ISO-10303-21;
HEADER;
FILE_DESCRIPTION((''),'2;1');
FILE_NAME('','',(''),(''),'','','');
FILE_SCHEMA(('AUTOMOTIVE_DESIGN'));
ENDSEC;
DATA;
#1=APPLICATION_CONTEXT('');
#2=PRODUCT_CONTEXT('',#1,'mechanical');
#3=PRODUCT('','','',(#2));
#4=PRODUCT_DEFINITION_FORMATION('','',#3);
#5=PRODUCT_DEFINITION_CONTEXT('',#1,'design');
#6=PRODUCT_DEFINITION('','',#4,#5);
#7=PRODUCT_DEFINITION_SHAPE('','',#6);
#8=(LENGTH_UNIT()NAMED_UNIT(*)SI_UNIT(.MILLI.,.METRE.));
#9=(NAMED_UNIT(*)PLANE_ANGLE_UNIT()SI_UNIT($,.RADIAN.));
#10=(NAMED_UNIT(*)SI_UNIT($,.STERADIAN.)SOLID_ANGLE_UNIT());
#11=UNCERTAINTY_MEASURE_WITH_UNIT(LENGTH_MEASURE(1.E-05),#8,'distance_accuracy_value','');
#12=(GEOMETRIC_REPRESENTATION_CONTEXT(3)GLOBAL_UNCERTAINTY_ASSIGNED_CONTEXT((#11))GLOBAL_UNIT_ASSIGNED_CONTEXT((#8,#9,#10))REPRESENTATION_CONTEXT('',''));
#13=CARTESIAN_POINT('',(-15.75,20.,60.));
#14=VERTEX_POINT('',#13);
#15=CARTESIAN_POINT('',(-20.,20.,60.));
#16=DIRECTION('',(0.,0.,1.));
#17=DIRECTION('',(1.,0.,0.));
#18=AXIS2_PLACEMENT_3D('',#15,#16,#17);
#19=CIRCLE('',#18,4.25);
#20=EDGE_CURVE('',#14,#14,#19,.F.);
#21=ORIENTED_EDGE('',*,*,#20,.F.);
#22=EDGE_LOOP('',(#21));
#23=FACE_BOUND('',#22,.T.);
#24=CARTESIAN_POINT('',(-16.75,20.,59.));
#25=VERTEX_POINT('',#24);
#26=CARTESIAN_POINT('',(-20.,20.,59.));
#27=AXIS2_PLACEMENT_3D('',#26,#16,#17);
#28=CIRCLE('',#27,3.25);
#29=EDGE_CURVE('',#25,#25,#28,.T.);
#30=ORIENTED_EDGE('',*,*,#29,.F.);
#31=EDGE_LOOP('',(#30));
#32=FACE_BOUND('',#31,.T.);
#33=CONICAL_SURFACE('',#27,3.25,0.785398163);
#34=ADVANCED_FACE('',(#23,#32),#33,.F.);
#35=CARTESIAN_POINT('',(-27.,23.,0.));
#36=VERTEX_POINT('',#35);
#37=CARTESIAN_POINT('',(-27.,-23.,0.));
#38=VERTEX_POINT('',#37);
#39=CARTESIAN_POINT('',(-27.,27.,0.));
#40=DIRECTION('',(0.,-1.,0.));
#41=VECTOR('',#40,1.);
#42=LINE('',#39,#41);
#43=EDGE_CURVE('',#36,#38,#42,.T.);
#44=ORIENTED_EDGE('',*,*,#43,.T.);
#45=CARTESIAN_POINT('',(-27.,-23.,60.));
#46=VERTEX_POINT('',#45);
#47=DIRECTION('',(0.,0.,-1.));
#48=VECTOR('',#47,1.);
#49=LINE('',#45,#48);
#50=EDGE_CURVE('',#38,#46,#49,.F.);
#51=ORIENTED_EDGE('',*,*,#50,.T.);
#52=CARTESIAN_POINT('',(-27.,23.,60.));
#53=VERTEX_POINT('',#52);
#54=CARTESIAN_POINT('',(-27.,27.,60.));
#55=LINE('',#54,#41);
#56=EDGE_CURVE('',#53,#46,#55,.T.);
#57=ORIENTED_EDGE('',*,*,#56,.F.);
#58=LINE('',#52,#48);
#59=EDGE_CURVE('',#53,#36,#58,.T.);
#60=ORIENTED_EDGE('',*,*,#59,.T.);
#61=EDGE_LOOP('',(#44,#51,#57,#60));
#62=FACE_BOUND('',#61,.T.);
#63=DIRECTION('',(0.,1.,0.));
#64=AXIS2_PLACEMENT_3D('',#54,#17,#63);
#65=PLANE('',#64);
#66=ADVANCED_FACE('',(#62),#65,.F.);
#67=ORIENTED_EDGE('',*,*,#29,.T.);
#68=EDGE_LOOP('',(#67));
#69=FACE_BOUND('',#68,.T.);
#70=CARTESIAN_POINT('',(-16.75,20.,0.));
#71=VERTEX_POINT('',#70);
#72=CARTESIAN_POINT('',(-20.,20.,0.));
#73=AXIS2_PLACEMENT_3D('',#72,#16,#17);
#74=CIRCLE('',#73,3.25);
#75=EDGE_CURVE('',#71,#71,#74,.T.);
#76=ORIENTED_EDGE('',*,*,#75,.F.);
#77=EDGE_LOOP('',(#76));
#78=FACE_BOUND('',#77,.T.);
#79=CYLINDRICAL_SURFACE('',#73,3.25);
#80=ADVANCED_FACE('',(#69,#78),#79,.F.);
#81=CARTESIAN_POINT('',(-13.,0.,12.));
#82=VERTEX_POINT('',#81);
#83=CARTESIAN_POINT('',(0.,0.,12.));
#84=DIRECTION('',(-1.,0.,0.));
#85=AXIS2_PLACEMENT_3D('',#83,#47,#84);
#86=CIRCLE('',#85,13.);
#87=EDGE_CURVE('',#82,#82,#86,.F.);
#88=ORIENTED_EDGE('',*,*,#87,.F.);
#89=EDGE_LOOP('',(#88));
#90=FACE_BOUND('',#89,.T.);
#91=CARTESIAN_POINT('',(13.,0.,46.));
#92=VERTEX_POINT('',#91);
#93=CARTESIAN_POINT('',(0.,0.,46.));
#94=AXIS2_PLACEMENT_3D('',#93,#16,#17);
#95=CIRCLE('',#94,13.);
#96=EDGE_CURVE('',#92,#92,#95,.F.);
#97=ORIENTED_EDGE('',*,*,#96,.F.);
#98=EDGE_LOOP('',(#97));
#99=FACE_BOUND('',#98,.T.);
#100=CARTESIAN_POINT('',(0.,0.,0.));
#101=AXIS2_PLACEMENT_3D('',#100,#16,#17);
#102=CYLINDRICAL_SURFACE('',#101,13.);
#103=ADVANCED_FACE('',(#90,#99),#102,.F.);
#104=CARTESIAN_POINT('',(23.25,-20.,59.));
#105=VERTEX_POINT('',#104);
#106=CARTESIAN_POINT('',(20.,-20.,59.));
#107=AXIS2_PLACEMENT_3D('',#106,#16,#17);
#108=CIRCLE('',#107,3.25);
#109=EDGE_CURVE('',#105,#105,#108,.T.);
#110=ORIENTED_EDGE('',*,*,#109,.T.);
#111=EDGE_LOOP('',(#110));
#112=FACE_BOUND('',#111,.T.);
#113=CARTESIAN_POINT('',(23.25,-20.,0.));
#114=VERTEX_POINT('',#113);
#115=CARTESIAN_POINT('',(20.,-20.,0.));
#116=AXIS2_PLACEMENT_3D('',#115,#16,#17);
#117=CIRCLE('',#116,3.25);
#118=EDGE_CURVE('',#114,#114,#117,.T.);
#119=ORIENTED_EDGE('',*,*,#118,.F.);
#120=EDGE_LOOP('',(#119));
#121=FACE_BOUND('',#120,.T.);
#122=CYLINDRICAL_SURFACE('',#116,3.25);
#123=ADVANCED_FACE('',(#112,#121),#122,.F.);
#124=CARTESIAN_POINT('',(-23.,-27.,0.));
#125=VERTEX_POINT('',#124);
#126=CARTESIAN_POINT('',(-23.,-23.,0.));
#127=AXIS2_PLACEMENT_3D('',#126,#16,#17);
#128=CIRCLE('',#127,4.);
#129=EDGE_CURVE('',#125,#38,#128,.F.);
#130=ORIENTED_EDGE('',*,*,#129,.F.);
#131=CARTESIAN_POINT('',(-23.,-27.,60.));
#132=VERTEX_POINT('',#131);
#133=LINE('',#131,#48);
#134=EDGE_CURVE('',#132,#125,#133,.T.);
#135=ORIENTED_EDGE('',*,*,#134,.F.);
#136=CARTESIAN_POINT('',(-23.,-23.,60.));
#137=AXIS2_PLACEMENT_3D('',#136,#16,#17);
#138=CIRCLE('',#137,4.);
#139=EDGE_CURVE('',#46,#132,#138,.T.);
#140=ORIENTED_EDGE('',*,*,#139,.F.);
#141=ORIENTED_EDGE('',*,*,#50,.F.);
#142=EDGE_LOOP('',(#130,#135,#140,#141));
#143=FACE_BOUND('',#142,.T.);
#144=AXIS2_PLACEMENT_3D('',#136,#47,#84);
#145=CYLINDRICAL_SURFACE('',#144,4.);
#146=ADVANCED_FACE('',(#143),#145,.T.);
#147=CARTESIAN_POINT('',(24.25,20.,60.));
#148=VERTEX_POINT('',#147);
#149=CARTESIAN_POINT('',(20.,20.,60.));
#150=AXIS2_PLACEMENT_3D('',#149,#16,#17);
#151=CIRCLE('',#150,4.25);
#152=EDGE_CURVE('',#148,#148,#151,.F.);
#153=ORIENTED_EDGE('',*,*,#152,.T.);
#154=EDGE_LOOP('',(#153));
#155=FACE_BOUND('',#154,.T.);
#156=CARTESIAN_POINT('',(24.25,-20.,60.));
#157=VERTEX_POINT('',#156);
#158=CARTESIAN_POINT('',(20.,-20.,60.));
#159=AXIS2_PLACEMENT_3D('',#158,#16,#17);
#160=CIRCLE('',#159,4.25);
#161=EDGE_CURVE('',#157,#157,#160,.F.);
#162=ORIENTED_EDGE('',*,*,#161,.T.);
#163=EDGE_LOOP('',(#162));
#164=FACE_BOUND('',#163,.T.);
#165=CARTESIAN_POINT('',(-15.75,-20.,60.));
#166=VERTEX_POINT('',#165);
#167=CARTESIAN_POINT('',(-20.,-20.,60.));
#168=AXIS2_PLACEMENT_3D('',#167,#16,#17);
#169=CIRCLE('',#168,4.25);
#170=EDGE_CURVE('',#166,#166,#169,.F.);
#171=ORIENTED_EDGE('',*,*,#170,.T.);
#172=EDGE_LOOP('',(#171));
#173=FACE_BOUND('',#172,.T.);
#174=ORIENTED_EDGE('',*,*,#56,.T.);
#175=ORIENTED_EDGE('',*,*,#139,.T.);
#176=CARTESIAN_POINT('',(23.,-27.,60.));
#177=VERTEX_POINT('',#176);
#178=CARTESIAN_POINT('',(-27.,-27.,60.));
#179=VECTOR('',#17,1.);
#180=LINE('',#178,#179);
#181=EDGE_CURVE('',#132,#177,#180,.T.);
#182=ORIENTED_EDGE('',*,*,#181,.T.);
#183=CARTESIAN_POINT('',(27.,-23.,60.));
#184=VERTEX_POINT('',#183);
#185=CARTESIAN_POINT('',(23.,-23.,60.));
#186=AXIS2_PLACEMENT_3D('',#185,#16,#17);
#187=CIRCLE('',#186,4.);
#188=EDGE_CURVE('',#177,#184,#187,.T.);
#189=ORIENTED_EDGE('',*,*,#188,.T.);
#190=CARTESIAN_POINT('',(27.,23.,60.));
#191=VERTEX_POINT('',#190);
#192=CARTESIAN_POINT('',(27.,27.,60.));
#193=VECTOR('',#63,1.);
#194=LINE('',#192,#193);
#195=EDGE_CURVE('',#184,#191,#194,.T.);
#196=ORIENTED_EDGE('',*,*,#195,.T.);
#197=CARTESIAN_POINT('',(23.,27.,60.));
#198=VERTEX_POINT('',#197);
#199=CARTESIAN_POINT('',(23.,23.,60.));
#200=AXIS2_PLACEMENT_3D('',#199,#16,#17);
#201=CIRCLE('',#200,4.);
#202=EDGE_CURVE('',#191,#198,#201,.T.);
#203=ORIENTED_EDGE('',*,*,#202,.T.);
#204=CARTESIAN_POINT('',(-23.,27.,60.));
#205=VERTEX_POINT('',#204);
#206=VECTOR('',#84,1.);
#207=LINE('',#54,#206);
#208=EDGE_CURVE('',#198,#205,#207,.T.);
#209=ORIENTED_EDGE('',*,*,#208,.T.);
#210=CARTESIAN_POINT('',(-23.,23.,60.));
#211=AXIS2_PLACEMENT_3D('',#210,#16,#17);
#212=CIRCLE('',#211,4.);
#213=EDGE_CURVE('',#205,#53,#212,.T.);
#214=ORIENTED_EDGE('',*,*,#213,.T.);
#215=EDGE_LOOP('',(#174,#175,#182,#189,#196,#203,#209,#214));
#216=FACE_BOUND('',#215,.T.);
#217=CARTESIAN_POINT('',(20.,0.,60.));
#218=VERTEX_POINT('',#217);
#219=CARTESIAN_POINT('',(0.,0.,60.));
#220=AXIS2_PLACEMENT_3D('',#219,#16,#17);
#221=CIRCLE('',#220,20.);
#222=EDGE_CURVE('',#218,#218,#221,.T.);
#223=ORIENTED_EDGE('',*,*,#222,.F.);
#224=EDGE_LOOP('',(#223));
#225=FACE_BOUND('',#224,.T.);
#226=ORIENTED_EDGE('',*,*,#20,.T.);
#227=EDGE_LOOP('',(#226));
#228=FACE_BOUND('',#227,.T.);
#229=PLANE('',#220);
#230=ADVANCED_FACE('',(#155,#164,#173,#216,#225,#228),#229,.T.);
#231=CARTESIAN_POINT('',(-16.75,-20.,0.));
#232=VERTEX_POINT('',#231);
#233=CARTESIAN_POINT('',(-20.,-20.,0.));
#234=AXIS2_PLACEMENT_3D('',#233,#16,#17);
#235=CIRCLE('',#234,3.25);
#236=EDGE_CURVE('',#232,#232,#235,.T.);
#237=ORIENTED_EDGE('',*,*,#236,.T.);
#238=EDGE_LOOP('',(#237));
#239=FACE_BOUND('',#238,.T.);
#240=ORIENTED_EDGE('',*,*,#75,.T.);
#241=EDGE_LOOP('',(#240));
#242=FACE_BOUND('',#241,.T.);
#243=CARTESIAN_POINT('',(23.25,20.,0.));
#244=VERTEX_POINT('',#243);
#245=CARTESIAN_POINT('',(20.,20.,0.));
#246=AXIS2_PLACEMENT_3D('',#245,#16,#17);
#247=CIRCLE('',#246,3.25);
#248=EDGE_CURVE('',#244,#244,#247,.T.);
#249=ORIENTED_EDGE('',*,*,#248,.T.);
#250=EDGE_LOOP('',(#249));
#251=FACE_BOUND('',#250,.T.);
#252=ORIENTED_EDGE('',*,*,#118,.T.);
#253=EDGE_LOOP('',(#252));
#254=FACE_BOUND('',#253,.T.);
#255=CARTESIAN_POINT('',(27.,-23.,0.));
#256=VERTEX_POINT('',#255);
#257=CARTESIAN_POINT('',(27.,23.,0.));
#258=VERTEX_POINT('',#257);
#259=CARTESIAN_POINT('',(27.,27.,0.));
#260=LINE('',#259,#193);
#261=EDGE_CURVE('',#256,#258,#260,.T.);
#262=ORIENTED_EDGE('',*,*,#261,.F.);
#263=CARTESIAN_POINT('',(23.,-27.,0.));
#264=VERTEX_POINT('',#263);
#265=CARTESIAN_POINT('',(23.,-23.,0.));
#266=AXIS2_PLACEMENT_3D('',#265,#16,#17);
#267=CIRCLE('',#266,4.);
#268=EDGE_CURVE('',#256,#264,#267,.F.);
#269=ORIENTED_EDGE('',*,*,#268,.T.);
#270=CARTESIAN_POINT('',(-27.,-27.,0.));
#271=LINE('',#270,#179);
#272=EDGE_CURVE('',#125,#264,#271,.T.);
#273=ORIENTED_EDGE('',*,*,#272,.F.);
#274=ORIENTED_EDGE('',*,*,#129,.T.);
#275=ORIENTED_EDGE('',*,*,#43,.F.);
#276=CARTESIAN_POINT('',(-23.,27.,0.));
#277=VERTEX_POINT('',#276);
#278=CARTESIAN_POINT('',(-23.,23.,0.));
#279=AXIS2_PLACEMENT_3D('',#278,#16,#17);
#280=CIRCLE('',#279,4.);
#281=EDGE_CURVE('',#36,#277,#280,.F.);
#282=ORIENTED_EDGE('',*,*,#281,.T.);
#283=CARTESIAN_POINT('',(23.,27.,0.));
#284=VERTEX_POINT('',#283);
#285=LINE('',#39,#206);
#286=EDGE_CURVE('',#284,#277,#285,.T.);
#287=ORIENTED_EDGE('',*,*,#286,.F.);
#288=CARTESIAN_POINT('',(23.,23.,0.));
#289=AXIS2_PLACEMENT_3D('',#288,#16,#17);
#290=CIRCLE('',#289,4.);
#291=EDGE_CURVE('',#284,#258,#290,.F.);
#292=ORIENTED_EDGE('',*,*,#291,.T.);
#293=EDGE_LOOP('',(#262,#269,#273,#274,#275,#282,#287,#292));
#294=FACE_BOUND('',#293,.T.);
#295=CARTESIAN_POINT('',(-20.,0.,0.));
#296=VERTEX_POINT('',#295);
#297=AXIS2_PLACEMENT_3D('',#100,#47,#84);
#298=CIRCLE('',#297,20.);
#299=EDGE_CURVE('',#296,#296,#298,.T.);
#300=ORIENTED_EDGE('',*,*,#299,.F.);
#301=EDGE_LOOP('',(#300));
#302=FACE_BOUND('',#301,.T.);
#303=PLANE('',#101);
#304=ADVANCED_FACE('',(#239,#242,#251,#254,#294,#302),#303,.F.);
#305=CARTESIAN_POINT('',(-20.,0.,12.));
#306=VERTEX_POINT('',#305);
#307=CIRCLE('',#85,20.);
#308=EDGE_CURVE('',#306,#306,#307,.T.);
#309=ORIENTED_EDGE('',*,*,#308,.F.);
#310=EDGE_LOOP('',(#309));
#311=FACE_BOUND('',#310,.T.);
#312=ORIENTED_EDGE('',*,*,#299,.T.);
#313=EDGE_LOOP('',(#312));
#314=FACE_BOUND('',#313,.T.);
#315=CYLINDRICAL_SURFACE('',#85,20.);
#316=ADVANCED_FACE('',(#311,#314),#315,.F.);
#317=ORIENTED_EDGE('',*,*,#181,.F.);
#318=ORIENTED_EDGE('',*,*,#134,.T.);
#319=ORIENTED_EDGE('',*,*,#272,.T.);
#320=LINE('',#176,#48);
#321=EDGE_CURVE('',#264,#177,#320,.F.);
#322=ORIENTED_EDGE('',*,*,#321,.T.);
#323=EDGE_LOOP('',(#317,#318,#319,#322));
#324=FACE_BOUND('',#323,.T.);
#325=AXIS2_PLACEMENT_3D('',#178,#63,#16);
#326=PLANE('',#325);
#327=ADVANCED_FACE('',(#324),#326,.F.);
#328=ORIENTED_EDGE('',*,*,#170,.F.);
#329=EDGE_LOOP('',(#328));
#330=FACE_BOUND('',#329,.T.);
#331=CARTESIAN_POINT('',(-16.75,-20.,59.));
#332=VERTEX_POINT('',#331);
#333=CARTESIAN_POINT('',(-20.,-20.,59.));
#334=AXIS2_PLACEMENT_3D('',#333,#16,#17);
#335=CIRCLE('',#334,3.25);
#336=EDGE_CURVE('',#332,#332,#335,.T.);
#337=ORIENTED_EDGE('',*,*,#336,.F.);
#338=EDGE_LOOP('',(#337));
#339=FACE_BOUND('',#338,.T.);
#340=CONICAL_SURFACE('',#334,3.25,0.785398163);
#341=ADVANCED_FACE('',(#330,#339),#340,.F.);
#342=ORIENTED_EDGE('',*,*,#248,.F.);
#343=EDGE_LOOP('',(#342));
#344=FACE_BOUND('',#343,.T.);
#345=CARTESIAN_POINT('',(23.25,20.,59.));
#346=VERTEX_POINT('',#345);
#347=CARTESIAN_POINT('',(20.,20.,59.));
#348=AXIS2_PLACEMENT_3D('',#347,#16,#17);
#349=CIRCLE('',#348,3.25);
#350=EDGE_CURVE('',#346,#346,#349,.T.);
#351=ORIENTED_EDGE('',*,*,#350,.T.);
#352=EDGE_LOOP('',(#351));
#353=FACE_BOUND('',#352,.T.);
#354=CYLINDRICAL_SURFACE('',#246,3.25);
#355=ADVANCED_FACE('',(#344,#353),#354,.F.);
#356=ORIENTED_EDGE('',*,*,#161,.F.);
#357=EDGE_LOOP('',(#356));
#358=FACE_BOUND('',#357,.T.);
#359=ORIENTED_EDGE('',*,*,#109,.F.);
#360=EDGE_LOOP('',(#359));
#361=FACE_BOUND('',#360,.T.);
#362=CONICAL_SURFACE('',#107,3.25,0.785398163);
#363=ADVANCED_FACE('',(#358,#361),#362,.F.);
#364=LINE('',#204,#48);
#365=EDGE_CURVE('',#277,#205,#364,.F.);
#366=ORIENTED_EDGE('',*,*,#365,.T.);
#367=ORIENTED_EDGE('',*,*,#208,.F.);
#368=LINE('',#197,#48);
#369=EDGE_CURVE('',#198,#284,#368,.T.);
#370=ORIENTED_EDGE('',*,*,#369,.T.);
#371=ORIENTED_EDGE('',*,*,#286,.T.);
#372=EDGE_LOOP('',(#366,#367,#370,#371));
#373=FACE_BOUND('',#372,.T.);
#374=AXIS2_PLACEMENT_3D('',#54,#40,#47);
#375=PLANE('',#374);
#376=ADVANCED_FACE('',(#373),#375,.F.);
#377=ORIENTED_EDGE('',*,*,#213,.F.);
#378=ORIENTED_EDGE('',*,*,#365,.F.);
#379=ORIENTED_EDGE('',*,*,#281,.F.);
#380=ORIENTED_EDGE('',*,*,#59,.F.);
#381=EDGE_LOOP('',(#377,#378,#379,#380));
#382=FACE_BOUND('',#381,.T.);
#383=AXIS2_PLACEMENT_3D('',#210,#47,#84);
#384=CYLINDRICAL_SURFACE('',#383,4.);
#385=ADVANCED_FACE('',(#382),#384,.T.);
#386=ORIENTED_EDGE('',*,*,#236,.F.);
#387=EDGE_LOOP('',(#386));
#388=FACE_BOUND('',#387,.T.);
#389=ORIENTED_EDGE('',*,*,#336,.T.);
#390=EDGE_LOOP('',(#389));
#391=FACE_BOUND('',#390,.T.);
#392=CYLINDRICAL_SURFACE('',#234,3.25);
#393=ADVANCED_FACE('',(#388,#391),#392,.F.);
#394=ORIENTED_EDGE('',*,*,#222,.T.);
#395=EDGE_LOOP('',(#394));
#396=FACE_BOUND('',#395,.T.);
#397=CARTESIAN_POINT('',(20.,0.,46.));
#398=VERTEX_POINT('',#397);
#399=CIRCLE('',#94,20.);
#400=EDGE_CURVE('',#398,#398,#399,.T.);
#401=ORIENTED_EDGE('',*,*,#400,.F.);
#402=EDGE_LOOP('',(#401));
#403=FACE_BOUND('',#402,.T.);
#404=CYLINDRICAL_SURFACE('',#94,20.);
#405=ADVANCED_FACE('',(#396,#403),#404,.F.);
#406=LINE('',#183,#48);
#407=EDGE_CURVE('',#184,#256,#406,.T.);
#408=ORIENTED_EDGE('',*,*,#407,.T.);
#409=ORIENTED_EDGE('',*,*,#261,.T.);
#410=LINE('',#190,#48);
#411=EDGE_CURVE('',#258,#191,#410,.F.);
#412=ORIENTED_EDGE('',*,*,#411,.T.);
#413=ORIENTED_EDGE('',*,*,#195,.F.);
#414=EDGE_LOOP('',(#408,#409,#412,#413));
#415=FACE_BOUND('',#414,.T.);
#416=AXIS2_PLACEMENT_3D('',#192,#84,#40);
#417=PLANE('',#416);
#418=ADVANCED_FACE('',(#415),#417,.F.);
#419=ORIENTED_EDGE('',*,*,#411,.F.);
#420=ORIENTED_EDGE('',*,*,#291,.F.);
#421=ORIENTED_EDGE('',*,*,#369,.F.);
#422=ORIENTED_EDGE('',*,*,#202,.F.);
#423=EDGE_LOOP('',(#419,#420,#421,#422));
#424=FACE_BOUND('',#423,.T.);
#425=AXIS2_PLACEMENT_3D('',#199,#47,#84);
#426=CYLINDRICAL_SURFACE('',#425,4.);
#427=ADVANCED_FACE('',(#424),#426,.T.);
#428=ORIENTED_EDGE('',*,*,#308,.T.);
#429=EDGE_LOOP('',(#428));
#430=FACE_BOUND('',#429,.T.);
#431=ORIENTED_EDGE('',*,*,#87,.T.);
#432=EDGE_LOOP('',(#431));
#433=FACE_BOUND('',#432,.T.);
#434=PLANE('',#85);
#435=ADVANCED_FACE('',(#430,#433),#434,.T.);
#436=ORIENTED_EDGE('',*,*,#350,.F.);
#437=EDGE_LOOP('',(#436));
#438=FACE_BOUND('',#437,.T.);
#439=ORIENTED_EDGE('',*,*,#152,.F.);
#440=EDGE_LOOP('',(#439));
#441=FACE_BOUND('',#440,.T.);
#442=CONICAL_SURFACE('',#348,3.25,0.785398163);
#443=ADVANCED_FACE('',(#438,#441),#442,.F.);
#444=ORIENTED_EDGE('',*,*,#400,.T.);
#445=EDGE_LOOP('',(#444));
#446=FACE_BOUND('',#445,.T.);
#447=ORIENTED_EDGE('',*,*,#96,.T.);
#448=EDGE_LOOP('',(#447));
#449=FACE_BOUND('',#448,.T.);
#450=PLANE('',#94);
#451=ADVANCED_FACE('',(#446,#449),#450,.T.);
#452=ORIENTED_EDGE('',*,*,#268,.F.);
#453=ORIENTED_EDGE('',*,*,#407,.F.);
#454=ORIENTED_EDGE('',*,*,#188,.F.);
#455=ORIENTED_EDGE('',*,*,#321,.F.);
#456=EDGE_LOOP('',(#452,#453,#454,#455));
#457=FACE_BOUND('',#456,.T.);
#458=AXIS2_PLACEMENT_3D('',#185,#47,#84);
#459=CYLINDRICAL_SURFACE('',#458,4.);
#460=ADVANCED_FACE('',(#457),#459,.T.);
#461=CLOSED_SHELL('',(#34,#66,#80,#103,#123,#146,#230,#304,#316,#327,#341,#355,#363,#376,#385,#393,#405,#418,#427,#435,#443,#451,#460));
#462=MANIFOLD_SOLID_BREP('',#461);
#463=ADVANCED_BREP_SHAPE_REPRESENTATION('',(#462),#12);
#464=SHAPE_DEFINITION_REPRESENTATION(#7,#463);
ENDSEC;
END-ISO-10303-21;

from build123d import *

# Parameters (mm, degrees)
CROQUIS1_W              = 54
CROQUIS1_H              = 54
SALIENTE_EXTRUIR1_DEPTH = 60
CROQUIS2_R              = 13
CORTAR_EXTRUIR1_DEPTH   = 72.119617547
CROQUIS3_R              = 20
CORTAR_EXTRUIR2_DEPTH   = 14
CORTAR_EXTRUIR3_START   = -12
CROQUIS4_R              = 20
CORTAR_EXTRUIR3_DEPTH   = 12
CROQUIS5_R              = 3.25
CORTAR_EXTRUIR4_DEPTH   = 72.119617547
REDONDEO1_R             = 4
CHAFL_N1_SIZE           = 1


with BuildPart() as part:
    # Croquis1 → Saliente-Extruir1 (new body)
    with BuildSketch(Plane.XY):
        Rectangle(CROQUIS1_W, CROQUIS1_H)
    extrude(amount=SALIENTE_EXTRUIR1_DEPTH)

    # Croquis2 → Cortar-Extruir1 (cut, through all)
    with BuildSketch(Plane.XY.offset(60)):
        Circle(CROQUIS2_R)
    extrude(amount=-CORTAR_EXTRUIR1_DEPTH, mode=Mode.SUBTRACT)

    # Croquis3 → Cortar-Extruir2 (cut)
    with BuildSketch(Plane.XY.offset(60)):
        Circle(CROQUIS3_R)
    extrude(amount=-CORTAR_EXTRUIR2_DEPTH, mode=Mode.SUBTRACT)

    # Croquis4 → Cortar-Extruir3 (cut)
    with BuildSketch(Plane(origin=(0, 0, 0), x_dir=(-1, 0, 0), z_dir=(0, 0, -1)).offset(CORTAR_EXTRUIR3_START)):
        with Locations(Location((0, 0, 0), (0, 0, 180))):
            Circle(CROQUIS4_R)
    extrude(amount=CORTAR_EXTRUIR3_DEPTH, mode=Mode.SUBTRACT)

    # Croquis5 → Cortar-Extruir4 (cut, through all)
    with BuildSketch(Plane.XY.offset(60)):
        with Locations((20, 20)):
            Circle(CROQUIS5_R)
        with Locations((20, -20)):
            Circle(CROQUIS5_R)
        with Locations((-20, -20)):
            Circle(CROQUIS5_R)
        with Locations((-20, 20)):
            Circle(CROQUIS5_R)
    extrude(amount=-CORTAR_EXTRUIR4_DEPTH, mode=Mode.SUBTRACT)

    # Redondeo1
    redondeo1_edges = [part.edges().sort_by_distance(p)[0] for p in [
        (27, -27, 30),
        (-27, -27, 30),
        (-27, 27, 30),
        (27, 27, 30),
    ]]
    fillet(redondeo1_edges, radius=REDONDEO1_R)

    # Chaflán1
    chafl_n1_edges = [part.edges().sort_by_distance(p)[0] for p in [
        (16.75, 20, 60),
        (16.75, -20, 60),
        (-23.25, -20, 60),
        (-23.25, 20, 60),
    ]]
    chamfer(chafl_n1_edges, length=CHAFL_N1_SIZE)


solid = part.part
